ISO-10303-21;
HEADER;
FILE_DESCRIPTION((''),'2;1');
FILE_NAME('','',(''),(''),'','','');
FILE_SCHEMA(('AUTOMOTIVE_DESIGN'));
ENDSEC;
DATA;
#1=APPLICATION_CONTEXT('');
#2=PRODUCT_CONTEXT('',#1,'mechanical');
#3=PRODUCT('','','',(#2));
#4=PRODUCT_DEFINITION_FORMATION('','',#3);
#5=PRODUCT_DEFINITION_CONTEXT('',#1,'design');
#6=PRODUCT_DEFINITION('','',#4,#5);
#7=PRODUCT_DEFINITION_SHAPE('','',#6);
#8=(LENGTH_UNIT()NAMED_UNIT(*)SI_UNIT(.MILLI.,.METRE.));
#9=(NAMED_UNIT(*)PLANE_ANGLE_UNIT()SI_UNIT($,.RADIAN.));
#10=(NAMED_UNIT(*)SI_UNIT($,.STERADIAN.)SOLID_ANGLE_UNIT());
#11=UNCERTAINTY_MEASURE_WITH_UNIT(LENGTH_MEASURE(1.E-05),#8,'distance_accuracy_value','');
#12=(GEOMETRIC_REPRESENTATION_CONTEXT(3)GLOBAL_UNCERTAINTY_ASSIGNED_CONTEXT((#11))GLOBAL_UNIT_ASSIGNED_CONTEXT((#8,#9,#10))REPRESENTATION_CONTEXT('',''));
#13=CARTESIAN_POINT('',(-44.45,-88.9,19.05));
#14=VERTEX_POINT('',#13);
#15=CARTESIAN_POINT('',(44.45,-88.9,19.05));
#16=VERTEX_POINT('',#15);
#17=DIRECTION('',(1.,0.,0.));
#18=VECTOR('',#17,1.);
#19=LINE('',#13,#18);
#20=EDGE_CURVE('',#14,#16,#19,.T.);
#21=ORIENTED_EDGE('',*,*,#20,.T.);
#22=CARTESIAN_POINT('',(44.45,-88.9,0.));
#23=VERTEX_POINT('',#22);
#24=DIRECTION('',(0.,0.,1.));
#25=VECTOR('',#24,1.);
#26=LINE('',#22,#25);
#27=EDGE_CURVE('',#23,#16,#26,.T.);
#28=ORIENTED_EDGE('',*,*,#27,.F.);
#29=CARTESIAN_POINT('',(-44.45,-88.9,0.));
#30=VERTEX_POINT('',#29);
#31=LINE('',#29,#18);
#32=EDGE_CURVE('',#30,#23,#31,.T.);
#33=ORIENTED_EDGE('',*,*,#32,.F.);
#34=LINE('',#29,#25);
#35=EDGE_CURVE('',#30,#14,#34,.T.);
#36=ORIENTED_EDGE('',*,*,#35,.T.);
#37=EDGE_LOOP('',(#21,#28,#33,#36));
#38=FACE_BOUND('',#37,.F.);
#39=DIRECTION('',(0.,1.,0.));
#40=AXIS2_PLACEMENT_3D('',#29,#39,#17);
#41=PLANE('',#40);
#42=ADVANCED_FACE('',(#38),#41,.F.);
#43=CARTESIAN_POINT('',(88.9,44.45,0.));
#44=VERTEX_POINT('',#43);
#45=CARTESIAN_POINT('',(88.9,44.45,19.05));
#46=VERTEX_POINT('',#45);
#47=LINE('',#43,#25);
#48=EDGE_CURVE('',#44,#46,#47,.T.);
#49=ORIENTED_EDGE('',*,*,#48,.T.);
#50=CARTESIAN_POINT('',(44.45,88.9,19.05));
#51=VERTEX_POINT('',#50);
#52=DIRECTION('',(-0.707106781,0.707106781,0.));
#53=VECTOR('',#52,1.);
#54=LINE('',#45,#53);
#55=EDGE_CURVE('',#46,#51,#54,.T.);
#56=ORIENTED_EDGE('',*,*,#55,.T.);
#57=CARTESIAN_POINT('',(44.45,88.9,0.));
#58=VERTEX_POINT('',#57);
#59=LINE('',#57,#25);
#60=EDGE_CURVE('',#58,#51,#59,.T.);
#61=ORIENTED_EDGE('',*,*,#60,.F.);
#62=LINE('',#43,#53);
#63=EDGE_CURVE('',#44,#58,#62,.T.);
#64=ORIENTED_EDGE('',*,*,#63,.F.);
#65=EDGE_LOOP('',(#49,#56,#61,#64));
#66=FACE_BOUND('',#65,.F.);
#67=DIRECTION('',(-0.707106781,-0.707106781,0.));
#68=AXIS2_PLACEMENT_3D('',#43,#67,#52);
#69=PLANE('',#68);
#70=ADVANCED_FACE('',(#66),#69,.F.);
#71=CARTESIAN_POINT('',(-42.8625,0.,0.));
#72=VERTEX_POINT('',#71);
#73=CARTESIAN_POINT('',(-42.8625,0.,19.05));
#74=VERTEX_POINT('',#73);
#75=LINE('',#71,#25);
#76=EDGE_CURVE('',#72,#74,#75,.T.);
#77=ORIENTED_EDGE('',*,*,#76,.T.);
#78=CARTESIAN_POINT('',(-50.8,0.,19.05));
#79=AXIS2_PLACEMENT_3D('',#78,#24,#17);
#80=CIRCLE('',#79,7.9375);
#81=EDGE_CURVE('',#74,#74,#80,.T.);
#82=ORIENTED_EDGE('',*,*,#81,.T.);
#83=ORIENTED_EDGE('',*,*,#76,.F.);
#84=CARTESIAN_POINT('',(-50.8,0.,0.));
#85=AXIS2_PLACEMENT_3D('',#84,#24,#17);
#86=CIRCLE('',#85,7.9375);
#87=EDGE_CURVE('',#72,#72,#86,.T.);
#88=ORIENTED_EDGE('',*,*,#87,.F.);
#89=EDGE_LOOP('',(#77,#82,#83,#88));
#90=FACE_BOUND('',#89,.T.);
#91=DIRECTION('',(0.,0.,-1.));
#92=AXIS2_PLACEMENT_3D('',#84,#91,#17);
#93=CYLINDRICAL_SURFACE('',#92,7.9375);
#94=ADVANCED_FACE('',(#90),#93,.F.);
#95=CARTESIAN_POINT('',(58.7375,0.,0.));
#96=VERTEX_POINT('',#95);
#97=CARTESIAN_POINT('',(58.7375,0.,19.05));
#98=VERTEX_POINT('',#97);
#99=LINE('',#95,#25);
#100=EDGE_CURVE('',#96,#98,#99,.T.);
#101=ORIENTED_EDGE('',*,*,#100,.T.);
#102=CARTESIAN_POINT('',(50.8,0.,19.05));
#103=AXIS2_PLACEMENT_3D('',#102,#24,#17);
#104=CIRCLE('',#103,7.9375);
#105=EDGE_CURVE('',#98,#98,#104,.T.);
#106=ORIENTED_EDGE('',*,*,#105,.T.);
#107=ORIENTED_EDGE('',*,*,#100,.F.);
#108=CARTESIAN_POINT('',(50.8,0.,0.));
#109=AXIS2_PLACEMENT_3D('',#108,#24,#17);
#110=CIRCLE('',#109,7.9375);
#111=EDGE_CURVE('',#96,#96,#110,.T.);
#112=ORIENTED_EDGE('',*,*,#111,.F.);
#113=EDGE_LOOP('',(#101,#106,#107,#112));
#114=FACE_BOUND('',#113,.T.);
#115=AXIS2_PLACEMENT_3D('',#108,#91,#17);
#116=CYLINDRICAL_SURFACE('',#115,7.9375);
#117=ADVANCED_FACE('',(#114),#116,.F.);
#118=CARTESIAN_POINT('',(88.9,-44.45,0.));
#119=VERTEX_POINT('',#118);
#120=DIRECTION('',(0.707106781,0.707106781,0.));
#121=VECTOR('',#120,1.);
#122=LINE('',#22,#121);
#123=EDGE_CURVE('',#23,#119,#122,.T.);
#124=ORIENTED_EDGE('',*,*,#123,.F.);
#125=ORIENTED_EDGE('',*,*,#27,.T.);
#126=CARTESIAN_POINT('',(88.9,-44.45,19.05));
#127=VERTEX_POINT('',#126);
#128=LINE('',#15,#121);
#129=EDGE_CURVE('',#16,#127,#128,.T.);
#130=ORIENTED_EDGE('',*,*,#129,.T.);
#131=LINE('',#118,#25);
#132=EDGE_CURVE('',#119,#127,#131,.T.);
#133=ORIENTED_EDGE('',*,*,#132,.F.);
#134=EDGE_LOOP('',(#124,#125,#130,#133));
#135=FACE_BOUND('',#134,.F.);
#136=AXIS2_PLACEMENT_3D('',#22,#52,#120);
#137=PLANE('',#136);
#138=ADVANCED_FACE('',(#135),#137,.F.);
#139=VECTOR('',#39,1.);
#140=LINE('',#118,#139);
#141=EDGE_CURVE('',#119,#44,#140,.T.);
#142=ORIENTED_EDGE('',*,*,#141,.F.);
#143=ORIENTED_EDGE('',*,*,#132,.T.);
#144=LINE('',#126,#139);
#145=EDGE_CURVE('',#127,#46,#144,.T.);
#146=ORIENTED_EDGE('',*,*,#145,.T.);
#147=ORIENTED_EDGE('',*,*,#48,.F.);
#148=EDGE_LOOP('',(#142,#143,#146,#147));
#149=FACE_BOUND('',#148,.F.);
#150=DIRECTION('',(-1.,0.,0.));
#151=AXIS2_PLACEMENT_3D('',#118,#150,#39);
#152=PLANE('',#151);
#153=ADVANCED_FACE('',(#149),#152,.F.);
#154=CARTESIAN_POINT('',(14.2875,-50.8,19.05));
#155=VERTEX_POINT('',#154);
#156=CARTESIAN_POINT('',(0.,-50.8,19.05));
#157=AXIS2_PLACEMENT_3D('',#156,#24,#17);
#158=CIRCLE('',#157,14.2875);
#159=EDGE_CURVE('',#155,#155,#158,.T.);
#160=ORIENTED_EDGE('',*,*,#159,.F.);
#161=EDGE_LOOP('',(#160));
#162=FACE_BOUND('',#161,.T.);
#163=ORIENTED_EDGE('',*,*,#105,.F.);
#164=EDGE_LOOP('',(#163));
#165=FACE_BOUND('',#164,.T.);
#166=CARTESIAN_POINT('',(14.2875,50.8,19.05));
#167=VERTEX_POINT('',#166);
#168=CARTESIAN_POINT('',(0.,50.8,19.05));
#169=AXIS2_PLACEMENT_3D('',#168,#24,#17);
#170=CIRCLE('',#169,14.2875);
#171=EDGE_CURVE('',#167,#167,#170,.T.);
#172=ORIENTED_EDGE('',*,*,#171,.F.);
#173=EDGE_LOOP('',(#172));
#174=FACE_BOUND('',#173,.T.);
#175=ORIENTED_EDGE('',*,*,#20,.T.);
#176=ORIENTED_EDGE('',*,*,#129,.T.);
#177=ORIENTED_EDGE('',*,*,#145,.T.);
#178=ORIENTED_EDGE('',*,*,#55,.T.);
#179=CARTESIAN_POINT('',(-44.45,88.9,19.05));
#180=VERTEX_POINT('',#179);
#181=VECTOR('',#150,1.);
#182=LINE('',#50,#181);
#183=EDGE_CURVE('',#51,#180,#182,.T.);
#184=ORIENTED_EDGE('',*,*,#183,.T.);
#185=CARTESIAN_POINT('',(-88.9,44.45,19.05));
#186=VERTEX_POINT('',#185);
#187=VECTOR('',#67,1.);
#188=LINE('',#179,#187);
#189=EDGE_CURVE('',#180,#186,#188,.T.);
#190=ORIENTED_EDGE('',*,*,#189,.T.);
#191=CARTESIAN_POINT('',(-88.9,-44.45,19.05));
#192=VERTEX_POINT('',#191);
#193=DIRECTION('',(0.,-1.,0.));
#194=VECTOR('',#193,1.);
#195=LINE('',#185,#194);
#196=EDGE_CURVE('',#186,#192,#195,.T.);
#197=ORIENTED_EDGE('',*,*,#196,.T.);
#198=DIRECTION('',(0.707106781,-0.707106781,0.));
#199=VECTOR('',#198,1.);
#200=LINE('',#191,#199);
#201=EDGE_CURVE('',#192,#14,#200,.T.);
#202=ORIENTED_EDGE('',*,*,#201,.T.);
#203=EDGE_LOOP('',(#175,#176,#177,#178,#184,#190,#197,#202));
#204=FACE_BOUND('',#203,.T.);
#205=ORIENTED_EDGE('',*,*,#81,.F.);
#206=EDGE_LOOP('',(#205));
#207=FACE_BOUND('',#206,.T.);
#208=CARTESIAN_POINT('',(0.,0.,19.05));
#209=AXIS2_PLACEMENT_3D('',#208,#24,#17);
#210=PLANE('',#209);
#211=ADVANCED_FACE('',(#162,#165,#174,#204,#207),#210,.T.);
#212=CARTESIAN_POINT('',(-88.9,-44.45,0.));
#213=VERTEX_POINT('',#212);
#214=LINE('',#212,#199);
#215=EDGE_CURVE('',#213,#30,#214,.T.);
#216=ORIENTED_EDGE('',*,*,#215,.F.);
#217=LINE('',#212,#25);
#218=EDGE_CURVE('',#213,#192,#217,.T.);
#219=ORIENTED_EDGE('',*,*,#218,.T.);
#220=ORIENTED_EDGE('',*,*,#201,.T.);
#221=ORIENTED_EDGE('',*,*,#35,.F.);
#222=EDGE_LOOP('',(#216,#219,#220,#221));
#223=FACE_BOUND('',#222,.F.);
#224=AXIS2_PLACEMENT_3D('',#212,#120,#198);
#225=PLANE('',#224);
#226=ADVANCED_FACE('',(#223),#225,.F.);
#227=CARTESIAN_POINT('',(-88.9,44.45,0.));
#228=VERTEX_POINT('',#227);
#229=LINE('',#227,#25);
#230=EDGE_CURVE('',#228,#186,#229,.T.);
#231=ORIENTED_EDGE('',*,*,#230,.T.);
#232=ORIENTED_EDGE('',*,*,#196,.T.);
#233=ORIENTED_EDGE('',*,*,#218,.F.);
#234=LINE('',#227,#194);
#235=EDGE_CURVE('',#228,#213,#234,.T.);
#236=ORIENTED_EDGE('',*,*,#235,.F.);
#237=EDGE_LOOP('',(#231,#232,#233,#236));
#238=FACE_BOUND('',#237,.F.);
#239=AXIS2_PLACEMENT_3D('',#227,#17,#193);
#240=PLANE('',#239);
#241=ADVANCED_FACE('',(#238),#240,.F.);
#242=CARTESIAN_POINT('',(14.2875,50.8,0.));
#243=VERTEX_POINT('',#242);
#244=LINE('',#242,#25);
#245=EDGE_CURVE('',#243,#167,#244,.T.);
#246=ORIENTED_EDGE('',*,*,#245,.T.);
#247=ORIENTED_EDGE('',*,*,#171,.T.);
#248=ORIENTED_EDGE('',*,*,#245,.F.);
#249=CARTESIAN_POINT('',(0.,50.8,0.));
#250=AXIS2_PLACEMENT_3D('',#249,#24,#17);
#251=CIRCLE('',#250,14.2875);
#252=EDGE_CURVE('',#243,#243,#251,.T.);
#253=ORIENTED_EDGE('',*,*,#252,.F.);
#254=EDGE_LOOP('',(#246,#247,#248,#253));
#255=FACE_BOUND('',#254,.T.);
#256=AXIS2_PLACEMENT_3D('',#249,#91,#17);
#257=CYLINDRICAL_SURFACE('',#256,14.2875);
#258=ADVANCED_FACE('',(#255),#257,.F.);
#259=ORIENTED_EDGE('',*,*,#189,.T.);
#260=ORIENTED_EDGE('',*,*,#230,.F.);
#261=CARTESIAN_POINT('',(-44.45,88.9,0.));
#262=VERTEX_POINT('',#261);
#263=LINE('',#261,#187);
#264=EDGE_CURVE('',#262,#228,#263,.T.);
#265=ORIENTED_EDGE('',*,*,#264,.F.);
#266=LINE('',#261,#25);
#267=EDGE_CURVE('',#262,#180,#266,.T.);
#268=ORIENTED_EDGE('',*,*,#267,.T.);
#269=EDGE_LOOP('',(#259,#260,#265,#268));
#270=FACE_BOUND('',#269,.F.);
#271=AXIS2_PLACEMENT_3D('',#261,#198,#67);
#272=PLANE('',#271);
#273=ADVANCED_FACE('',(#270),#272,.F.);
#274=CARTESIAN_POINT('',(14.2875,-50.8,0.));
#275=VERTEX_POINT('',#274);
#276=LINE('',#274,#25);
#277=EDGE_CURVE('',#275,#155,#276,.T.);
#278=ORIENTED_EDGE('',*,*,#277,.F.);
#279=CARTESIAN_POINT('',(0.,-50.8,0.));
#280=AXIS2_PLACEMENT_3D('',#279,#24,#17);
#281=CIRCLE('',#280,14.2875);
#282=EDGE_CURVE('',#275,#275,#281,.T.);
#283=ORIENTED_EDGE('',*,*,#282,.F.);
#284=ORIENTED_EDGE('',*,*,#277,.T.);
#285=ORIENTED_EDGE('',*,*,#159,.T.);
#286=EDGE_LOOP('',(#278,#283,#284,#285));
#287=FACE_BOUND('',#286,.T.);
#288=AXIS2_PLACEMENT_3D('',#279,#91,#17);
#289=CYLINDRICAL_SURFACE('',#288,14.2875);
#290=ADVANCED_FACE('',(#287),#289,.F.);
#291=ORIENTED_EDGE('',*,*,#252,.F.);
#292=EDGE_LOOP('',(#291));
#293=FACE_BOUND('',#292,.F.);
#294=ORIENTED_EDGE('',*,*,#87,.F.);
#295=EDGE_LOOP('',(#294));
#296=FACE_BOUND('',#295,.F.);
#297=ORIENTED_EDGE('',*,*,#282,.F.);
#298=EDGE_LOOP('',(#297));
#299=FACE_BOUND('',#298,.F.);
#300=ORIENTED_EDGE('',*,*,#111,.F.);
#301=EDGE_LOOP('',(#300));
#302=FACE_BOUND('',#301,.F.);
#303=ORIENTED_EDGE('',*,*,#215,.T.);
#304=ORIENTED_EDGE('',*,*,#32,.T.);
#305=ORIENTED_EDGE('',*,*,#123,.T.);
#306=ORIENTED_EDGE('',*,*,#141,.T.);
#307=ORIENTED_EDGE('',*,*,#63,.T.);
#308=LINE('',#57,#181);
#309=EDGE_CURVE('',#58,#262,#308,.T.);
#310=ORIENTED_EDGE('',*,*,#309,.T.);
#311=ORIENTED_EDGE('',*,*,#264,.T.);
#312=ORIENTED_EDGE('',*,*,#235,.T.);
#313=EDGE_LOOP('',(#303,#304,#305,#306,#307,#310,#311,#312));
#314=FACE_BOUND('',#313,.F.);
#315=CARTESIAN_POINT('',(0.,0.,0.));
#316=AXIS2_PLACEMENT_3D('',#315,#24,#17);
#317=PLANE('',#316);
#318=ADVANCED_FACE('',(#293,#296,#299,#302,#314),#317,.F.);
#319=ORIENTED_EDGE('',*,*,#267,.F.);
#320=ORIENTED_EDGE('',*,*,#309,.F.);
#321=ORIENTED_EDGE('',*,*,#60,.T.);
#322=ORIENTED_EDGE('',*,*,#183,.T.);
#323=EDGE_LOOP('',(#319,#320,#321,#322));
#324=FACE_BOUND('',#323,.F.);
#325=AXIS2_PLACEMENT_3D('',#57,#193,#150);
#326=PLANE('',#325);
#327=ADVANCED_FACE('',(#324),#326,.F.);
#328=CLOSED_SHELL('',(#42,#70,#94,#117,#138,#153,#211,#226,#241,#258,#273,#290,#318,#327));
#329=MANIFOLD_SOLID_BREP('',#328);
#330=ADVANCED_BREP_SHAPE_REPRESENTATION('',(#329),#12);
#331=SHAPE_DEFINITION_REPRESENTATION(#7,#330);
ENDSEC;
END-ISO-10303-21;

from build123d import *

# Parameters (mm, degrees)
F0_R     = 14.2875
F0_R_2   = 7.9375
F1_DEPTH = 19.05


with BuildPart() as f1:
    # F0 (on Top) → F1 (new body)
    with BuildSketch(Plane.XY):
        Polygon((88.9, 44.45), (44.45, 88.9), (-44.45, 88.9), (-88.9, 44.45), (-88.9, -44.45), (-44.45, -88.9), (44.45, -88.9), (88.9, -44.45), align=None)
        with Locations((0, -50.8)):
            Circle(F0_R, mode=Mode.SUBTRACT)
        with Locations((-50.8, 0)):
            Circle(F0_R_2, mode=Mode.SUBTRACT)
        with Locations((50.8, 0)):
            Circle(F0_R_2, mode=Mode.SUBTRACT)
        with Locations((0, 50.8)):
            Circle(F0_R, mode=Mode.SUBTRACT)
    extrude(amount=F1_DEPTH)


solid = f1.part
